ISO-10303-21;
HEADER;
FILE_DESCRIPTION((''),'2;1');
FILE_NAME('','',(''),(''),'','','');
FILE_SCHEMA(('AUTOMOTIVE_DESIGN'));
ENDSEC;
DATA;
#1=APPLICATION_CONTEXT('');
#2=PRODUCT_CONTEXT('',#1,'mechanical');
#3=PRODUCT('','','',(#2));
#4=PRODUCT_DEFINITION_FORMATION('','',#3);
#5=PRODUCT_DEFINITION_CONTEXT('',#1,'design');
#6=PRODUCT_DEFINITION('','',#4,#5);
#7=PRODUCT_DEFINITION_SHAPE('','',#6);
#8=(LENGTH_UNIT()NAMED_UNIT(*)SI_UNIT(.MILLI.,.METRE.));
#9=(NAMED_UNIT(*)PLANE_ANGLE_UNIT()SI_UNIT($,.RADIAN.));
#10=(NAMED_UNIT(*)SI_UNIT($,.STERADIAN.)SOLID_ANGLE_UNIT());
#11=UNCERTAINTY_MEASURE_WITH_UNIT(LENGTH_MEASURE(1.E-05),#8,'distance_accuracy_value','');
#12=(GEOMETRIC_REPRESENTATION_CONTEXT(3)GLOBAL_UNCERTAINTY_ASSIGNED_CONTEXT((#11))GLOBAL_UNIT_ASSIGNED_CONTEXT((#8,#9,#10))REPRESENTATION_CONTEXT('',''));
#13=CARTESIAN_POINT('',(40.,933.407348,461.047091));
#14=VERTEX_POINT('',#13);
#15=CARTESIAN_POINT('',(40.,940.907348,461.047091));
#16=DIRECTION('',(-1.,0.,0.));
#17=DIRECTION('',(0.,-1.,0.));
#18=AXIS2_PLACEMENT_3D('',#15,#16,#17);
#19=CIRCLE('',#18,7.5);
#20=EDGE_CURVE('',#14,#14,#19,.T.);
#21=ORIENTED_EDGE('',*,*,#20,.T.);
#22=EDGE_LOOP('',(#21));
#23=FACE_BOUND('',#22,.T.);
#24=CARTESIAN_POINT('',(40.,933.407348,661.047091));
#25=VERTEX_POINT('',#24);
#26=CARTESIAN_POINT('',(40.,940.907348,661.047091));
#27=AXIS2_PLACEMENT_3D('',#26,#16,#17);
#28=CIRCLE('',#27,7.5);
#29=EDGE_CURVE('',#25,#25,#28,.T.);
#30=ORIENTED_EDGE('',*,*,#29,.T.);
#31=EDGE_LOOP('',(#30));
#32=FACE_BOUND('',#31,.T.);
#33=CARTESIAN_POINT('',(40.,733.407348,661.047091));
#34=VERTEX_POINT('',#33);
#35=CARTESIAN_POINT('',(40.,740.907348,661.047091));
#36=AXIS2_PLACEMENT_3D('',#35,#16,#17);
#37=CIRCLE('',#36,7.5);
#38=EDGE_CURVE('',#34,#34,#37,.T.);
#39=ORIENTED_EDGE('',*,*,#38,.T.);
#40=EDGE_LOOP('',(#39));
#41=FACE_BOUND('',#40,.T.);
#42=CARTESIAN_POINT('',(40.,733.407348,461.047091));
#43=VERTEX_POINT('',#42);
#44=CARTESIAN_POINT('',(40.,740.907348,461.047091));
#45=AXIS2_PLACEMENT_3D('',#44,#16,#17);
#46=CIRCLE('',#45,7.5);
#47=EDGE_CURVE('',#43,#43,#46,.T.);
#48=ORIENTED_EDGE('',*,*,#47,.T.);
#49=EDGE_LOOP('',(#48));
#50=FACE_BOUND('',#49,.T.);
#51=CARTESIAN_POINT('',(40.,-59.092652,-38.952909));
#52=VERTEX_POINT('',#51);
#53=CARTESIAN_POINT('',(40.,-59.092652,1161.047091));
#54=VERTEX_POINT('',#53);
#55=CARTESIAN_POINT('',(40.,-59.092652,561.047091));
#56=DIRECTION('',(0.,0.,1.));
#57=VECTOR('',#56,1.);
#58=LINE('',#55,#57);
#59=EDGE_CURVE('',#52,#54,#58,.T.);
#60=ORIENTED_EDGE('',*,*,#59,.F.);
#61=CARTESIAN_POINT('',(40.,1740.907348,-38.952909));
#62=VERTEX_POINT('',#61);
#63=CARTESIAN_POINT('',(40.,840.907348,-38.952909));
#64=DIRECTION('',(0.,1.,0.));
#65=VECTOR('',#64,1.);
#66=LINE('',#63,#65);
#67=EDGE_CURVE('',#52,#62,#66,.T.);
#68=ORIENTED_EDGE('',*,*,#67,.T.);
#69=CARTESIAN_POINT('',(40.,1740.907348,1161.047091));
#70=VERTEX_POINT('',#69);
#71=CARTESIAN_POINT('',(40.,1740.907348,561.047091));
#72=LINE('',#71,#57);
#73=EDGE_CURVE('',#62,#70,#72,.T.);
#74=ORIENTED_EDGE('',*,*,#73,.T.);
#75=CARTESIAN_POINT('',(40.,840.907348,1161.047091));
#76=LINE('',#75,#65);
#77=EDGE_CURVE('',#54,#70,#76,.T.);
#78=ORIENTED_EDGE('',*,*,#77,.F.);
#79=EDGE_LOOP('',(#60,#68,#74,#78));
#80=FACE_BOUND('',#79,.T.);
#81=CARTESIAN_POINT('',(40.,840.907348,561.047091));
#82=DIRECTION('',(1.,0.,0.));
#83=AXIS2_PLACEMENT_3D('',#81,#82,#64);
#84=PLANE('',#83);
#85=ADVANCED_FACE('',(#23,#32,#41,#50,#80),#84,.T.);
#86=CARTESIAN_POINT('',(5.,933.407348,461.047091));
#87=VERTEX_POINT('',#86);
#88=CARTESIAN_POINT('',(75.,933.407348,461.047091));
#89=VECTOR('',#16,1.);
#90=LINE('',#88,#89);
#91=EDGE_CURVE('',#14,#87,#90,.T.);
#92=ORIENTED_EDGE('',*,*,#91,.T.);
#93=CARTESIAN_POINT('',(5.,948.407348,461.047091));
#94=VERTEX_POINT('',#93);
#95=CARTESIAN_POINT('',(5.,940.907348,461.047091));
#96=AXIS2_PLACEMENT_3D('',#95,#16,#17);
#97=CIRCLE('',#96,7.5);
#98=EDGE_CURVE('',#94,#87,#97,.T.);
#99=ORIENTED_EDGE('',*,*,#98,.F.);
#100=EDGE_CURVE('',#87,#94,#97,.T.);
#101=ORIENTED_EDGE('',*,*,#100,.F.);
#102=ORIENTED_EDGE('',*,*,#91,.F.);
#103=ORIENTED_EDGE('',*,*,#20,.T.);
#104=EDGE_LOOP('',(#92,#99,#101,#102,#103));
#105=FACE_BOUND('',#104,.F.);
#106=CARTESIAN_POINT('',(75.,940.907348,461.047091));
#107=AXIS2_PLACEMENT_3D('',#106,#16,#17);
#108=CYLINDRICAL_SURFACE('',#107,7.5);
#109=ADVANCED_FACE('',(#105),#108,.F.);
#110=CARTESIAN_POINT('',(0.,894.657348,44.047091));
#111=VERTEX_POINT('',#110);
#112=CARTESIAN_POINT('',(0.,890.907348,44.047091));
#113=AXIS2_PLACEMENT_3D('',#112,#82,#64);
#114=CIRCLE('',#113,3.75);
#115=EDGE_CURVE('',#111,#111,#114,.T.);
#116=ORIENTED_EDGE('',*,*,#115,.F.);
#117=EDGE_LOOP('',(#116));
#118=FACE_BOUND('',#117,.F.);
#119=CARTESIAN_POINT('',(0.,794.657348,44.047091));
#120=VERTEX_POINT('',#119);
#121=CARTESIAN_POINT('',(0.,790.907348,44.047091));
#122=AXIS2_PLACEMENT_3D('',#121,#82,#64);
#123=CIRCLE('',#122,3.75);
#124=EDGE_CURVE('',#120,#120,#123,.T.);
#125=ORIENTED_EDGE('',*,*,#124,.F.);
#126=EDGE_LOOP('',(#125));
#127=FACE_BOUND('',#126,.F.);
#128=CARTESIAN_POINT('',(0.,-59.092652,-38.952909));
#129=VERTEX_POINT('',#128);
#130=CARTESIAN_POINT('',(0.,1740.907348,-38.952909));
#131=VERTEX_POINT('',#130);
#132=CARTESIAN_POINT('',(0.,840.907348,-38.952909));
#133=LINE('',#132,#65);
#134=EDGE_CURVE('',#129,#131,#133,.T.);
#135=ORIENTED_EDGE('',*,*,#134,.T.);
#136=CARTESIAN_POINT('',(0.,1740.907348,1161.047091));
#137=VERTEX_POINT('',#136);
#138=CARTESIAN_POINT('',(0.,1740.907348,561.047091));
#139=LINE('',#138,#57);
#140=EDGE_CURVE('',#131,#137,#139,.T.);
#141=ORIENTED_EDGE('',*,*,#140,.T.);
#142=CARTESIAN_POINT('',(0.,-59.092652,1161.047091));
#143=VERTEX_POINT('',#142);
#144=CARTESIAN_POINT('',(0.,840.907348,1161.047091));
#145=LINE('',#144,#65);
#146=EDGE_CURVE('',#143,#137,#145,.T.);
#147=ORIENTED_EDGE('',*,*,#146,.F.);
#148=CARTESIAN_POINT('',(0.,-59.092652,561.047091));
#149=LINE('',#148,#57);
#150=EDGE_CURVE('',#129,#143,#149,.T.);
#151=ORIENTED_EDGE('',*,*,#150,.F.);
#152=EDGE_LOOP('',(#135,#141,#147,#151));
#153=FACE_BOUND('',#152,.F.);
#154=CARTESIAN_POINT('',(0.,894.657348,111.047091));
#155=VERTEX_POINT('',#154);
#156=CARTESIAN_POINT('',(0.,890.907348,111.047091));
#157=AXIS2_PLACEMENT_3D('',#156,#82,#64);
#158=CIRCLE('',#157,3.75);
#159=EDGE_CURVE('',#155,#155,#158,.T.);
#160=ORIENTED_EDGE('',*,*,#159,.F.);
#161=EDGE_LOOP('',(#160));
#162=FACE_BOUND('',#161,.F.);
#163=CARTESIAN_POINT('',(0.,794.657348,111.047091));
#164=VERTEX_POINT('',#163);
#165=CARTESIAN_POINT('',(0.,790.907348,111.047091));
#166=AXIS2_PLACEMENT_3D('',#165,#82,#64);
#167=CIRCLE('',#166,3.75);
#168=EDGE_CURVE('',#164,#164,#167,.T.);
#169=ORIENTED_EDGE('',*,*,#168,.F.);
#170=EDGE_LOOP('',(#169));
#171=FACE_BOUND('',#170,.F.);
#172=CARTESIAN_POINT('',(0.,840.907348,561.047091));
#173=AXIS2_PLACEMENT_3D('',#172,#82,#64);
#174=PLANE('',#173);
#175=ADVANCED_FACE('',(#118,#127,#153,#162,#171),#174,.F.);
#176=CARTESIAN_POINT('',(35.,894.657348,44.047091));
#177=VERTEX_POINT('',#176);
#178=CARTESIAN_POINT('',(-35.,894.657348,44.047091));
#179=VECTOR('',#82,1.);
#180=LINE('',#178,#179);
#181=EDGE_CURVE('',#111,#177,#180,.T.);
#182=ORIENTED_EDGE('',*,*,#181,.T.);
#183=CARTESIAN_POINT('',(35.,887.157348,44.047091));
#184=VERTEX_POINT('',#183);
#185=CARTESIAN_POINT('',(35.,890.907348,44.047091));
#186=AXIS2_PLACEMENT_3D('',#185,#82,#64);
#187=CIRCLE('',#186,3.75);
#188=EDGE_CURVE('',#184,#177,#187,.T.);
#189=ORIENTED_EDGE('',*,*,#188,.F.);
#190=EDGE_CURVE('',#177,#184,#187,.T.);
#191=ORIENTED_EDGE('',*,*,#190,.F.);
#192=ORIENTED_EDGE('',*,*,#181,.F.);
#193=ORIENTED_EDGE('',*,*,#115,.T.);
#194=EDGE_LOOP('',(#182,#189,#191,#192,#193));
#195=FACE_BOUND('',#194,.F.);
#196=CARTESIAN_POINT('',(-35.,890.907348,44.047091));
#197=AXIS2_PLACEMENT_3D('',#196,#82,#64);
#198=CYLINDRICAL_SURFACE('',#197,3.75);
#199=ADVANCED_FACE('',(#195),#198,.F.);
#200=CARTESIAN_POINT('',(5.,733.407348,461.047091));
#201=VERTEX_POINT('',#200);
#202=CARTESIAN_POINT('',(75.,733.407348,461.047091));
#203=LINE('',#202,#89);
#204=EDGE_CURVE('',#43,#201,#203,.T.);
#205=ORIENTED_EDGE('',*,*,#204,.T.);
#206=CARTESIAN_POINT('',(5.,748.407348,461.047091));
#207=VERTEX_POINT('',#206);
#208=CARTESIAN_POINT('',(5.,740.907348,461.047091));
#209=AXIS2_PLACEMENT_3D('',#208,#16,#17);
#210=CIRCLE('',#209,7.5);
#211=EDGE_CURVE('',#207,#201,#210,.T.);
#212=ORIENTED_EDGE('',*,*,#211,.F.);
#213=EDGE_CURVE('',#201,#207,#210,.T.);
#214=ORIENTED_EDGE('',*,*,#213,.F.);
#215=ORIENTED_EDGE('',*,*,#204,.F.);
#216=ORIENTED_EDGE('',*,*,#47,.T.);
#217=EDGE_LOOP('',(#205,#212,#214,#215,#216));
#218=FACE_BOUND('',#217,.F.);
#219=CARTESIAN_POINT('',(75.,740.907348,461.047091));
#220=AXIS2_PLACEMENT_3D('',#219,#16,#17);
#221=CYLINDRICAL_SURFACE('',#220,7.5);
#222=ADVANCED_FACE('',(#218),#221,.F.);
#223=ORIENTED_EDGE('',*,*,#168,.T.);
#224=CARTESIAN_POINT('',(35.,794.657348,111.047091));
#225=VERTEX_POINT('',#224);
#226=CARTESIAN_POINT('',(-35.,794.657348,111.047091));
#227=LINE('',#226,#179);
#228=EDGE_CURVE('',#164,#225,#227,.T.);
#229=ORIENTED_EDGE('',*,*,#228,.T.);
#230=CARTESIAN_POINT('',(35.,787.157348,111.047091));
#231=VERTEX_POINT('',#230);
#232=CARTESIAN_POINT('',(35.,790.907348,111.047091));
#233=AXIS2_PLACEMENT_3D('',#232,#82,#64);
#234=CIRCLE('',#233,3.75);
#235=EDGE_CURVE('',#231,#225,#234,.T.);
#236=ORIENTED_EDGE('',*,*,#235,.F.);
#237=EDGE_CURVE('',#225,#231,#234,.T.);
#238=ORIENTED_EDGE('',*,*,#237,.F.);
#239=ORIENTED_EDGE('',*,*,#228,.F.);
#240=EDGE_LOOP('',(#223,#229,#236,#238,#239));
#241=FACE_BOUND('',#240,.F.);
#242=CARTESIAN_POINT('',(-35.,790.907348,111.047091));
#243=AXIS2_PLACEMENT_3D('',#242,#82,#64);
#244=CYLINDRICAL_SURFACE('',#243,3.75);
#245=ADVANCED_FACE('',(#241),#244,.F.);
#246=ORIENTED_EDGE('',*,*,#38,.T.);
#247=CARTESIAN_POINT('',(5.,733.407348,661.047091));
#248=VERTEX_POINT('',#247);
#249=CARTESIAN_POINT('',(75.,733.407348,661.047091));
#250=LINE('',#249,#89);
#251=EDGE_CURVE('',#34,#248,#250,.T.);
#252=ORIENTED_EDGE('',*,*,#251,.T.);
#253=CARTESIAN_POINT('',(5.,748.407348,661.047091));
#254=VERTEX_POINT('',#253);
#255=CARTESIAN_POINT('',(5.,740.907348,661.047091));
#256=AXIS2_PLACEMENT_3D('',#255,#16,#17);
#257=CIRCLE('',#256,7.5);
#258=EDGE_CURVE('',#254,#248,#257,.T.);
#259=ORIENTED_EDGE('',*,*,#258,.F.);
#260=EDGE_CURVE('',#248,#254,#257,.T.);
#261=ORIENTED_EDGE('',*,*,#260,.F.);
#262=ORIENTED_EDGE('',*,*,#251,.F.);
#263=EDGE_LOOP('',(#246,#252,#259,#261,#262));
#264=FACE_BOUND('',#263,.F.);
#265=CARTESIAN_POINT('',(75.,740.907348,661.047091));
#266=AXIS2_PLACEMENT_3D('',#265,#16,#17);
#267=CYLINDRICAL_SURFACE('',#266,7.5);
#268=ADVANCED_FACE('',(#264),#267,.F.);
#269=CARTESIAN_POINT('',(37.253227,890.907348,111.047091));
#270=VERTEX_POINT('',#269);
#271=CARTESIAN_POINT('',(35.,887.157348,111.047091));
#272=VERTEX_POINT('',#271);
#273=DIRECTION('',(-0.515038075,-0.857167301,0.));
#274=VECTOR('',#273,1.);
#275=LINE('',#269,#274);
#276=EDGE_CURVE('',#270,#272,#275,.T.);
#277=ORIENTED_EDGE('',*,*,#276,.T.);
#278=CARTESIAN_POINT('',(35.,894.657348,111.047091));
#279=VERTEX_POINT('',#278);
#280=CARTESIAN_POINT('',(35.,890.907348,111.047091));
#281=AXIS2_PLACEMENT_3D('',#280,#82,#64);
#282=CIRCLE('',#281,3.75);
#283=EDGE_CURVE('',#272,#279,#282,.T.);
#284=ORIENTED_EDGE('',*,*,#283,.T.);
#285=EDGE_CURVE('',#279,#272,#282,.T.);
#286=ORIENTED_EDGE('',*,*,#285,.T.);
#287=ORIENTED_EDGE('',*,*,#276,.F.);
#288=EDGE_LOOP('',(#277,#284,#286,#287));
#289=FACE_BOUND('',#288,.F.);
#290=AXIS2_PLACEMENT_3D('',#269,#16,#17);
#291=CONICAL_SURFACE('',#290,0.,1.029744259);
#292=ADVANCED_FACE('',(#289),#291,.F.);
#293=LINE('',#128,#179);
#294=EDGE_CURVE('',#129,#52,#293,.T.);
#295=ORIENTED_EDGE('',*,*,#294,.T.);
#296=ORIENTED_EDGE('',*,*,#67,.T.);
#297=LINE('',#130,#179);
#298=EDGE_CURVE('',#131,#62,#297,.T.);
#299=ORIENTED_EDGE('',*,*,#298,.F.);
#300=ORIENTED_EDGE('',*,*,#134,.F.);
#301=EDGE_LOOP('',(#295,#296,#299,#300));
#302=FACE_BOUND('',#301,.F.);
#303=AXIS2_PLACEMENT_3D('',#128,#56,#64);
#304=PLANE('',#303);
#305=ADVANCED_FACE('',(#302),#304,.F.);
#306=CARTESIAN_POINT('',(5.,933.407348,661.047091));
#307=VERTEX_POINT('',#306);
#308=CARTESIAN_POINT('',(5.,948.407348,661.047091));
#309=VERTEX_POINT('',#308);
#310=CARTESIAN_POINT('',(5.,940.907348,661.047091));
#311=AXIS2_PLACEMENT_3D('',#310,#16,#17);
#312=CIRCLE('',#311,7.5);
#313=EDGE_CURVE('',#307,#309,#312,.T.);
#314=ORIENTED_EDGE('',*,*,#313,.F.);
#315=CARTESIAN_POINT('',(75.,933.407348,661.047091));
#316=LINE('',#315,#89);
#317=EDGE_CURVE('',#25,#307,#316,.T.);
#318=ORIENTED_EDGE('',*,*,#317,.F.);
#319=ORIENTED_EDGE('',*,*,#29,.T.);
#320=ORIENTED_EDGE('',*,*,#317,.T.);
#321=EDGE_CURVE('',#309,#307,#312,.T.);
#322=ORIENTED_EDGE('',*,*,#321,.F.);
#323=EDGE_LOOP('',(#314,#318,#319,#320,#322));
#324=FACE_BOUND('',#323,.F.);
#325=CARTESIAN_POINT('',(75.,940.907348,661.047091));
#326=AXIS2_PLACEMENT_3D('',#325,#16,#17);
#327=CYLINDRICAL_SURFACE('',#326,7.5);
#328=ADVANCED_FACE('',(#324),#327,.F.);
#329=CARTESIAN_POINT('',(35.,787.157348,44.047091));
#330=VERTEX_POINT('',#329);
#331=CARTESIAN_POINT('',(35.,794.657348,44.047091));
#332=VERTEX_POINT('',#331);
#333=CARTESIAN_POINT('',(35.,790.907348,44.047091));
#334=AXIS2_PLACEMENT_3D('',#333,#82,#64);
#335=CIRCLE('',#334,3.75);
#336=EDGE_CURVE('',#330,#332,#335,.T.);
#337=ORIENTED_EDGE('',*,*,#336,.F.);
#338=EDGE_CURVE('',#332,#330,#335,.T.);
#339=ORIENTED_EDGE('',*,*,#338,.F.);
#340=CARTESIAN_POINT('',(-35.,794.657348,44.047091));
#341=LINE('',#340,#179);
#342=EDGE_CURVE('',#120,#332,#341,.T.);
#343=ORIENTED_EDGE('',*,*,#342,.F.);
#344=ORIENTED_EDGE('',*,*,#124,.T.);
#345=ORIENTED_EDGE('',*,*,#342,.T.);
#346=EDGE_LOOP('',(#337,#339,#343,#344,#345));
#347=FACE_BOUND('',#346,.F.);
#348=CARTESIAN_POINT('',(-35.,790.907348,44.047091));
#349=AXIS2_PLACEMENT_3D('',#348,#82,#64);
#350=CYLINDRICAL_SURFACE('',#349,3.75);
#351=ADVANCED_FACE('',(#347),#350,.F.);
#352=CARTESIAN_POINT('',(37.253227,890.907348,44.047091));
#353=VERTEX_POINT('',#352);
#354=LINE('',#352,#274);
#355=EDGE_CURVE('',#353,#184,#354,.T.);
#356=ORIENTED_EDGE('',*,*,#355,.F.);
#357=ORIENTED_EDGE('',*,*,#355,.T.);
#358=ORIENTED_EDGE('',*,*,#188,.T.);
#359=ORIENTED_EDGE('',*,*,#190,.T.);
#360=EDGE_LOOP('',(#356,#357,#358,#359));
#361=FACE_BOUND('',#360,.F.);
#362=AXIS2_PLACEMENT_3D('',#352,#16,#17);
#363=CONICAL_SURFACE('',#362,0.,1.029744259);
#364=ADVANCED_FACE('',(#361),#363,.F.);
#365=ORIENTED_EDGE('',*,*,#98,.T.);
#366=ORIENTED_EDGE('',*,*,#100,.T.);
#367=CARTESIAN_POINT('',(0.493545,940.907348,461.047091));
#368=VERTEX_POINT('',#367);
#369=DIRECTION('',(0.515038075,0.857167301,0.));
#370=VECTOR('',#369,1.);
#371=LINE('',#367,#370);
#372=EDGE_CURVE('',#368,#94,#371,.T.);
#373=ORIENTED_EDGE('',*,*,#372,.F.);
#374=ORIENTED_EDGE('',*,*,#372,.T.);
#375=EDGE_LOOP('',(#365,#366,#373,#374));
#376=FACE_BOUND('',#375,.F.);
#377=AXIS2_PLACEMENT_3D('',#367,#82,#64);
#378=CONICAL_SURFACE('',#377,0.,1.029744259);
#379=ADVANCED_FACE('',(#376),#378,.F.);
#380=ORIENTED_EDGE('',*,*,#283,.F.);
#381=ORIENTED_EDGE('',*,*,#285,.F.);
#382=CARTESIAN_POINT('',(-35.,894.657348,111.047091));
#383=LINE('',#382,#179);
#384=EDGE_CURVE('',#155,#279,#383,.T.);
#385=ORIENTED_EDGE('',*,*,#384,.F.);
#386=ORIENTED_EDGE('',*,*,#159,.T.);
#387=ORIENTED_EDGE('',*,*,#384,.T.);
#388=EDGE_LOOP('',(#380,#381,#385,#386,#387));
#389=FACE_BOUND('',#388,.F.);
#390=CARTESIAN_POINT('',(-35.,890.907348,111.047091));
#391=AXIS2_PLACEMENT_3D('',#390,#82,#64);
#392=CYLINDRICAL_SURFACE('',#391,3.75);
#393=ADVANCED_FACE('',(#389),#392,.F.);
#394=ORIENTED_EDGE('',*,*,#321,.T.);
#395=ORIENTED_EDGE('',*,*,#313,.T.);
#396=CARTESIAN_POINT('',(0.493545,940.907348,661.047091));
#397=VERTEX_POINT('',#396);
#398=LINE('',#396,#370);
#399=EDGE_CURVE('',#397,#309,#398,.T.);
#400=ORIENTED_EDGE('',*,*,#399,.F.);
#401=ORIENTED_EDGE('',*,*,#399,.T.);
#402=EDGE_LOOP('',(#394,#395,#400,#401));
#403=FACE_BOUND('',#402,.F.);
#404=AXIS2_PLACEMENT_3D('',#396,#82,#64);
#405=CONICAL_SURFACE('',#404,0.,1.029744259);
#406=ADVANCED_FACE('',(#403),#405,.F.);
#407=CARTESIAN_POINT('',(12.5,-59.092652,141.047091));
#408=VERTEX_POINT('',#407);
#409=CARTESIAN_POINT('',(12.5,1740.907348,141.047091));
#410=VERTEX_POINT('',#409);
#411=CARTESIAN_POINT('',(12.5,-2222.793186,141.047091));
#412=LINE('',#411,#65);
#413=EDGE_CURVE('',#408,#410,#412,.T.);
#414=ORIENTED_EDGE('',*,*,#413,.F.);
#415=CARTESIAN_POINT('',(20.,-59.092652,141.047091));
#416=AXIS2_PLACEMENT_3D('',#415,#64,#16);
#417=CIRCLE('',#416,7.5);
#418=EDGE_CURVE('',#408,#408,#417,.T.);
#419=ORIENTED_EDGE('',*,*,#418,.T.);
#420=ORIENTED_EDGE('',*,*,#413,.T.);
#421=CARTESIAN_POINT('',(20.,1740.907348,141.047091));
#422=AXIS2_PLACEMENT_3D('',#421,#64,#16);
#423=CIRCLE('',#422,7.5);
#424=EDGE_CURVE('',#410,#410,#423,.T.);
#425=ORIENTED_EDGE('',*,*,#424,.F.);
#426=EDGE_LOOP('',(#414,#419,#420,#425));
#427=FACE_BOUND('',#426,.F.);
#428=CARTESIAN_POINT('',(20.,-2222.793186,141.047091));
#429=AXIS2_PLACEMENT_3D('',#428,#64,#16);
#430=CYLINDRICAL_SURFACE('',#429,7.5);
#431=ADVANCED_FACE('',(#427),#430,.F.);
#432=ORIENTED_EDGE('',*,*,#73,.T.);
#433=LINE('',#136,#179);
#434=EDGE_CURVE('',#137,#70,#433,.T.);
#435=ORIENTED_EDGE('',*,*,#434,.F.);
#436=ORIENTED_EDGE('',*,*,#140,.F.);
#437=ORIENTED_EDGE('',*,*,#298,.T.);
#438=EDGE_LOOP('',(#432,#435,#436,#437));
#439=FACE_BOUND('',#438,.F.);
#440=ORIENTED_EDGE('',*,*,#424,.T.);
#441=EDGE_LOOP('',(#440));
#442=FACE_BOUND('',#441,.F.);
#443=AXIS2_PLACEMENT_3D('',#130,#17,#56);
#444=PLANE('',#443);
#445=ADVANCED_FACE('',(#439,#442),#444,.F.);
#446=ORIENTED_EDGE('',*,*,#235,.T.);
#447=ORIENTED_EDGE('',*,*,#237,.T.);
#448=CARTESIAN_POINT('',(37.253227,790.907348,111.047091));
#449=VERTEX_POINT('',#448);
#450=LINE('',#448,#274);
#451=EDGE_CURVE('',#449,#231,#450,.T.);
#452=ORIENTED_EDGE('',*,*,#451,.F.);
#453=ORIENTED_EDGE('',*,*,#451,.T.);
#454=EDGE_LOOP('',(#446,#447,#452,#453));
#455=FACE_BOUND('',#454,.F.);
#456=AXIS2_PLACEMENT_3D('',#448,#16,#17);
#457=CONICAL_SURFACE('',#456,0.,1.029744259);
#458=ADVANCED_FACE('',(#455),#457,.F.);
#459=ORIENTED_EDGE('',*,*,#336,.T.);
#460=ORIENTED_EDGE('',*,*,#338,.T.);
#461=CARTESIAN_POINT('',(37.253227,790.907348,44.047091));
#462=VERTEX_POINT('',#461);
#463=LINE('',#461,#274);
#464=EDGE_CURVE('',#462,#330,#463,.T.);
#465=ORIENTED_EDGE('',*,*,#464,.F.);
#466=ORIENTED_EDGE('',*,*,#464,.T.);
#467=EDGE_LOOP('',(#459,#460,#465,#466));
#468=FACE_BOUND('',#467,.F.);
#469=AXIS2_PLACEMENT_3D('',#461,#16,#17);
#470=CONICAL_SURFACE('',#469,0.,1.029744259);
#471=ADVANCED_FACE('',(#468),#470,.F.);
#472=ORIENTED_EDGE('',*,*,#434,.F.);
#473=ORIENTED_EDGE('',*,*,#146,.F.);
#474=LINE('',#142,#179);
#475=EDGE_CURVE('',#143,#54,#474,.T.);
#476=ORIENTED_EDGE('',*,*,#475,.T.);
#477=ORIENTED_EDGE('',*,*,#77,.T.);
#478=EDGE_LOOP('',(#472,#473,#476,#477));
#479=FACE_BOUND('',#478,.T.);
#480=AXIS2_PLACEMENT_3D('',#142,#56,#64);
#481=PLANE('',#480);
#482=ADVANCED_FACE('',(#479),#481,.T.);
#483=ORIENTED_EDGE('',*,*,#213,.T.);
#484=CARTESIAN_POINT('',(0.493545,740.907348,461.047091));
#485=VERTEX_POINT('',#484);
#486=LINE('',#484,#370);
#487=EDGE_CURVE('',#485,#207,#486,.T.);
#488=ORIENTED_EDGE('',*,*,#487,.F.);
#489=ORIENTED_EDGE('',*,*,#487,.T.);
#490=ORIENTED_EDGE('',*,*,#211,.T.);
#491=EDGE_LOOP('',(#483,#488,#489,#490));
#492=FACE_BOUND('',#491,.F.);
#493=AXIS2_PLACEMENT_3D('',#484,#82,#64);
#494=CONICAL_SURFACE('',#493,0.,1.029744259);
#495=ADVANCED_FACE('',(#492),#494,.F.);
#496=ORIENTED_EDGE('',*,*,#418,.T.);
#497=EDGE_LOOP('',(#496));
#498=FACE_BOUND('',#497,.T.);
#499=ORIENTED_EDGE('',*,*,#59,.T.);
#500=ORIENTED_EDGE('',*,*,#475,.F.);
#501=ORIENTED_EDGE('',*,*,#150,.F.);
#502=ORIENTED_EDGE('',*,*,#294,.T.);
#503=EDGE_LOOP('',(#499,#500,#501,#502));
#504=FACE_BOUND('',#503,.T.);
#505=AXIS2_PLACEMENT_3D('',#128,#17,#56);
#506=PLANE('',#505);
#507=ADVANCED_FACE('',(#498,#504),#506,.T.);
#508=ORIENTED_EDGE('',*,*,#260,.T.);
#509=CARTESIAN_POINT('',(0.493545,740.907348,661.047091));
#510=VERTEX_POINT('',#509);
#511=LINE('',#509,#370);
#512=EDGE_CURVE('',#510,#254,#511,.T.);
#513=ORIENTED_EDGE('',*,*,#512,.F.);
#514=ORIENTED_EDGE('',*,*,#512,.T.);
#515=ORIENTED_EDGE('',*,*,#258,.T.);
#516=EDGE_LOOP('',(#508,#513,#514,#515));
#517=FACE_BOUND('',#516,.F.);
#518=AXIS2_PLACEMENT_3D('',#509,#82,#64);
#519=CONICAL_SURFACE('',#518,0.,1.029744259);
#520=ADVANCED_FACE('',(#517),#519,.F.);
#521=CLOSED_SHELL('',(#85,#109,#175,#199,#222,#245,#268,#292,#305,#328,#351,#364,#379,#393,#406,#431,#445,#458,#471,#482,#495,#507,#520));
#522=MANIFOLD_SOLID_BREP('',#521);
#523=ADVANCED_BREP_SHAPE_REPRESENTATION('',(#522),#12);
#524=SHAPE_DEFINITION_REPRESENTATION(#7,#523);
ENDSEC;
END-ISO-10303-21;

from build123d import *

# Parameters (mm, degrees)
F0_W     = 1800
F0_H     = 1200
F1_DEPTH = 40
F3_D     = 15
F5_D     = 7.5
F5_DEPTH = 35
F5_TIP   = 2.2532273214
F7_D     = 15
F7_DEPTH = 35
F7_TIP   = 4.5064546427


with BuildPart() as f1:
    # F0 (on Right) → F1 (new body)
    with BuildSketch(Plane.YZ):
        with Locations((840.9073479474, 561.04709059)):
            Rectangle(F0_W, F0_H)
    extrude(amount=F1_DEPTH)

    # F3 (through all)
    with Locations(Plane.XZ.offset(59.0926520526)):
        with Locations((20, 141.04709059)):
            Hole(F3_D / 2)

    # F5
    with Locations(Plane(origin=(0, 0, 0), x_dir=(0, -1, 0), z_dir=(-1, 0, 0))):
        with Locations((-890.9073479474, 111.04709059), (-890.9073479474, 44.04709059), (-790.9073479474, 44.04709059), (-790.9073479474, 111.04709059)):
            Hole(F5_D / 2, depth=F5_DEPTH)
            with Locations((0, 0, -(F5_DEPTH + F5_TIP / 2))):  # 118° drill point
                Cone(0, F5_D / 2, F5_TIP, mode=Mode.SUBTRACT)

    # F7
    with Locations(Plane.YZ.offset(40)):
        with Locations((740.9073479474, 661.04709059), (940.9073479474, 661.04709059), (940.9073479474, 461.04709059), (740.9073479474, 461.04709059)):
            Hole(F7_D / 2, depth=F7_DEPTH)
            with Locations((0, 0, -(F7_DEPTH + F7_TIP / 2))):  # 118° drill point
                Cone(0, F7_D / 2, F7_TIP, mode=Mode.SUBTRACT)


solid = f1.part
